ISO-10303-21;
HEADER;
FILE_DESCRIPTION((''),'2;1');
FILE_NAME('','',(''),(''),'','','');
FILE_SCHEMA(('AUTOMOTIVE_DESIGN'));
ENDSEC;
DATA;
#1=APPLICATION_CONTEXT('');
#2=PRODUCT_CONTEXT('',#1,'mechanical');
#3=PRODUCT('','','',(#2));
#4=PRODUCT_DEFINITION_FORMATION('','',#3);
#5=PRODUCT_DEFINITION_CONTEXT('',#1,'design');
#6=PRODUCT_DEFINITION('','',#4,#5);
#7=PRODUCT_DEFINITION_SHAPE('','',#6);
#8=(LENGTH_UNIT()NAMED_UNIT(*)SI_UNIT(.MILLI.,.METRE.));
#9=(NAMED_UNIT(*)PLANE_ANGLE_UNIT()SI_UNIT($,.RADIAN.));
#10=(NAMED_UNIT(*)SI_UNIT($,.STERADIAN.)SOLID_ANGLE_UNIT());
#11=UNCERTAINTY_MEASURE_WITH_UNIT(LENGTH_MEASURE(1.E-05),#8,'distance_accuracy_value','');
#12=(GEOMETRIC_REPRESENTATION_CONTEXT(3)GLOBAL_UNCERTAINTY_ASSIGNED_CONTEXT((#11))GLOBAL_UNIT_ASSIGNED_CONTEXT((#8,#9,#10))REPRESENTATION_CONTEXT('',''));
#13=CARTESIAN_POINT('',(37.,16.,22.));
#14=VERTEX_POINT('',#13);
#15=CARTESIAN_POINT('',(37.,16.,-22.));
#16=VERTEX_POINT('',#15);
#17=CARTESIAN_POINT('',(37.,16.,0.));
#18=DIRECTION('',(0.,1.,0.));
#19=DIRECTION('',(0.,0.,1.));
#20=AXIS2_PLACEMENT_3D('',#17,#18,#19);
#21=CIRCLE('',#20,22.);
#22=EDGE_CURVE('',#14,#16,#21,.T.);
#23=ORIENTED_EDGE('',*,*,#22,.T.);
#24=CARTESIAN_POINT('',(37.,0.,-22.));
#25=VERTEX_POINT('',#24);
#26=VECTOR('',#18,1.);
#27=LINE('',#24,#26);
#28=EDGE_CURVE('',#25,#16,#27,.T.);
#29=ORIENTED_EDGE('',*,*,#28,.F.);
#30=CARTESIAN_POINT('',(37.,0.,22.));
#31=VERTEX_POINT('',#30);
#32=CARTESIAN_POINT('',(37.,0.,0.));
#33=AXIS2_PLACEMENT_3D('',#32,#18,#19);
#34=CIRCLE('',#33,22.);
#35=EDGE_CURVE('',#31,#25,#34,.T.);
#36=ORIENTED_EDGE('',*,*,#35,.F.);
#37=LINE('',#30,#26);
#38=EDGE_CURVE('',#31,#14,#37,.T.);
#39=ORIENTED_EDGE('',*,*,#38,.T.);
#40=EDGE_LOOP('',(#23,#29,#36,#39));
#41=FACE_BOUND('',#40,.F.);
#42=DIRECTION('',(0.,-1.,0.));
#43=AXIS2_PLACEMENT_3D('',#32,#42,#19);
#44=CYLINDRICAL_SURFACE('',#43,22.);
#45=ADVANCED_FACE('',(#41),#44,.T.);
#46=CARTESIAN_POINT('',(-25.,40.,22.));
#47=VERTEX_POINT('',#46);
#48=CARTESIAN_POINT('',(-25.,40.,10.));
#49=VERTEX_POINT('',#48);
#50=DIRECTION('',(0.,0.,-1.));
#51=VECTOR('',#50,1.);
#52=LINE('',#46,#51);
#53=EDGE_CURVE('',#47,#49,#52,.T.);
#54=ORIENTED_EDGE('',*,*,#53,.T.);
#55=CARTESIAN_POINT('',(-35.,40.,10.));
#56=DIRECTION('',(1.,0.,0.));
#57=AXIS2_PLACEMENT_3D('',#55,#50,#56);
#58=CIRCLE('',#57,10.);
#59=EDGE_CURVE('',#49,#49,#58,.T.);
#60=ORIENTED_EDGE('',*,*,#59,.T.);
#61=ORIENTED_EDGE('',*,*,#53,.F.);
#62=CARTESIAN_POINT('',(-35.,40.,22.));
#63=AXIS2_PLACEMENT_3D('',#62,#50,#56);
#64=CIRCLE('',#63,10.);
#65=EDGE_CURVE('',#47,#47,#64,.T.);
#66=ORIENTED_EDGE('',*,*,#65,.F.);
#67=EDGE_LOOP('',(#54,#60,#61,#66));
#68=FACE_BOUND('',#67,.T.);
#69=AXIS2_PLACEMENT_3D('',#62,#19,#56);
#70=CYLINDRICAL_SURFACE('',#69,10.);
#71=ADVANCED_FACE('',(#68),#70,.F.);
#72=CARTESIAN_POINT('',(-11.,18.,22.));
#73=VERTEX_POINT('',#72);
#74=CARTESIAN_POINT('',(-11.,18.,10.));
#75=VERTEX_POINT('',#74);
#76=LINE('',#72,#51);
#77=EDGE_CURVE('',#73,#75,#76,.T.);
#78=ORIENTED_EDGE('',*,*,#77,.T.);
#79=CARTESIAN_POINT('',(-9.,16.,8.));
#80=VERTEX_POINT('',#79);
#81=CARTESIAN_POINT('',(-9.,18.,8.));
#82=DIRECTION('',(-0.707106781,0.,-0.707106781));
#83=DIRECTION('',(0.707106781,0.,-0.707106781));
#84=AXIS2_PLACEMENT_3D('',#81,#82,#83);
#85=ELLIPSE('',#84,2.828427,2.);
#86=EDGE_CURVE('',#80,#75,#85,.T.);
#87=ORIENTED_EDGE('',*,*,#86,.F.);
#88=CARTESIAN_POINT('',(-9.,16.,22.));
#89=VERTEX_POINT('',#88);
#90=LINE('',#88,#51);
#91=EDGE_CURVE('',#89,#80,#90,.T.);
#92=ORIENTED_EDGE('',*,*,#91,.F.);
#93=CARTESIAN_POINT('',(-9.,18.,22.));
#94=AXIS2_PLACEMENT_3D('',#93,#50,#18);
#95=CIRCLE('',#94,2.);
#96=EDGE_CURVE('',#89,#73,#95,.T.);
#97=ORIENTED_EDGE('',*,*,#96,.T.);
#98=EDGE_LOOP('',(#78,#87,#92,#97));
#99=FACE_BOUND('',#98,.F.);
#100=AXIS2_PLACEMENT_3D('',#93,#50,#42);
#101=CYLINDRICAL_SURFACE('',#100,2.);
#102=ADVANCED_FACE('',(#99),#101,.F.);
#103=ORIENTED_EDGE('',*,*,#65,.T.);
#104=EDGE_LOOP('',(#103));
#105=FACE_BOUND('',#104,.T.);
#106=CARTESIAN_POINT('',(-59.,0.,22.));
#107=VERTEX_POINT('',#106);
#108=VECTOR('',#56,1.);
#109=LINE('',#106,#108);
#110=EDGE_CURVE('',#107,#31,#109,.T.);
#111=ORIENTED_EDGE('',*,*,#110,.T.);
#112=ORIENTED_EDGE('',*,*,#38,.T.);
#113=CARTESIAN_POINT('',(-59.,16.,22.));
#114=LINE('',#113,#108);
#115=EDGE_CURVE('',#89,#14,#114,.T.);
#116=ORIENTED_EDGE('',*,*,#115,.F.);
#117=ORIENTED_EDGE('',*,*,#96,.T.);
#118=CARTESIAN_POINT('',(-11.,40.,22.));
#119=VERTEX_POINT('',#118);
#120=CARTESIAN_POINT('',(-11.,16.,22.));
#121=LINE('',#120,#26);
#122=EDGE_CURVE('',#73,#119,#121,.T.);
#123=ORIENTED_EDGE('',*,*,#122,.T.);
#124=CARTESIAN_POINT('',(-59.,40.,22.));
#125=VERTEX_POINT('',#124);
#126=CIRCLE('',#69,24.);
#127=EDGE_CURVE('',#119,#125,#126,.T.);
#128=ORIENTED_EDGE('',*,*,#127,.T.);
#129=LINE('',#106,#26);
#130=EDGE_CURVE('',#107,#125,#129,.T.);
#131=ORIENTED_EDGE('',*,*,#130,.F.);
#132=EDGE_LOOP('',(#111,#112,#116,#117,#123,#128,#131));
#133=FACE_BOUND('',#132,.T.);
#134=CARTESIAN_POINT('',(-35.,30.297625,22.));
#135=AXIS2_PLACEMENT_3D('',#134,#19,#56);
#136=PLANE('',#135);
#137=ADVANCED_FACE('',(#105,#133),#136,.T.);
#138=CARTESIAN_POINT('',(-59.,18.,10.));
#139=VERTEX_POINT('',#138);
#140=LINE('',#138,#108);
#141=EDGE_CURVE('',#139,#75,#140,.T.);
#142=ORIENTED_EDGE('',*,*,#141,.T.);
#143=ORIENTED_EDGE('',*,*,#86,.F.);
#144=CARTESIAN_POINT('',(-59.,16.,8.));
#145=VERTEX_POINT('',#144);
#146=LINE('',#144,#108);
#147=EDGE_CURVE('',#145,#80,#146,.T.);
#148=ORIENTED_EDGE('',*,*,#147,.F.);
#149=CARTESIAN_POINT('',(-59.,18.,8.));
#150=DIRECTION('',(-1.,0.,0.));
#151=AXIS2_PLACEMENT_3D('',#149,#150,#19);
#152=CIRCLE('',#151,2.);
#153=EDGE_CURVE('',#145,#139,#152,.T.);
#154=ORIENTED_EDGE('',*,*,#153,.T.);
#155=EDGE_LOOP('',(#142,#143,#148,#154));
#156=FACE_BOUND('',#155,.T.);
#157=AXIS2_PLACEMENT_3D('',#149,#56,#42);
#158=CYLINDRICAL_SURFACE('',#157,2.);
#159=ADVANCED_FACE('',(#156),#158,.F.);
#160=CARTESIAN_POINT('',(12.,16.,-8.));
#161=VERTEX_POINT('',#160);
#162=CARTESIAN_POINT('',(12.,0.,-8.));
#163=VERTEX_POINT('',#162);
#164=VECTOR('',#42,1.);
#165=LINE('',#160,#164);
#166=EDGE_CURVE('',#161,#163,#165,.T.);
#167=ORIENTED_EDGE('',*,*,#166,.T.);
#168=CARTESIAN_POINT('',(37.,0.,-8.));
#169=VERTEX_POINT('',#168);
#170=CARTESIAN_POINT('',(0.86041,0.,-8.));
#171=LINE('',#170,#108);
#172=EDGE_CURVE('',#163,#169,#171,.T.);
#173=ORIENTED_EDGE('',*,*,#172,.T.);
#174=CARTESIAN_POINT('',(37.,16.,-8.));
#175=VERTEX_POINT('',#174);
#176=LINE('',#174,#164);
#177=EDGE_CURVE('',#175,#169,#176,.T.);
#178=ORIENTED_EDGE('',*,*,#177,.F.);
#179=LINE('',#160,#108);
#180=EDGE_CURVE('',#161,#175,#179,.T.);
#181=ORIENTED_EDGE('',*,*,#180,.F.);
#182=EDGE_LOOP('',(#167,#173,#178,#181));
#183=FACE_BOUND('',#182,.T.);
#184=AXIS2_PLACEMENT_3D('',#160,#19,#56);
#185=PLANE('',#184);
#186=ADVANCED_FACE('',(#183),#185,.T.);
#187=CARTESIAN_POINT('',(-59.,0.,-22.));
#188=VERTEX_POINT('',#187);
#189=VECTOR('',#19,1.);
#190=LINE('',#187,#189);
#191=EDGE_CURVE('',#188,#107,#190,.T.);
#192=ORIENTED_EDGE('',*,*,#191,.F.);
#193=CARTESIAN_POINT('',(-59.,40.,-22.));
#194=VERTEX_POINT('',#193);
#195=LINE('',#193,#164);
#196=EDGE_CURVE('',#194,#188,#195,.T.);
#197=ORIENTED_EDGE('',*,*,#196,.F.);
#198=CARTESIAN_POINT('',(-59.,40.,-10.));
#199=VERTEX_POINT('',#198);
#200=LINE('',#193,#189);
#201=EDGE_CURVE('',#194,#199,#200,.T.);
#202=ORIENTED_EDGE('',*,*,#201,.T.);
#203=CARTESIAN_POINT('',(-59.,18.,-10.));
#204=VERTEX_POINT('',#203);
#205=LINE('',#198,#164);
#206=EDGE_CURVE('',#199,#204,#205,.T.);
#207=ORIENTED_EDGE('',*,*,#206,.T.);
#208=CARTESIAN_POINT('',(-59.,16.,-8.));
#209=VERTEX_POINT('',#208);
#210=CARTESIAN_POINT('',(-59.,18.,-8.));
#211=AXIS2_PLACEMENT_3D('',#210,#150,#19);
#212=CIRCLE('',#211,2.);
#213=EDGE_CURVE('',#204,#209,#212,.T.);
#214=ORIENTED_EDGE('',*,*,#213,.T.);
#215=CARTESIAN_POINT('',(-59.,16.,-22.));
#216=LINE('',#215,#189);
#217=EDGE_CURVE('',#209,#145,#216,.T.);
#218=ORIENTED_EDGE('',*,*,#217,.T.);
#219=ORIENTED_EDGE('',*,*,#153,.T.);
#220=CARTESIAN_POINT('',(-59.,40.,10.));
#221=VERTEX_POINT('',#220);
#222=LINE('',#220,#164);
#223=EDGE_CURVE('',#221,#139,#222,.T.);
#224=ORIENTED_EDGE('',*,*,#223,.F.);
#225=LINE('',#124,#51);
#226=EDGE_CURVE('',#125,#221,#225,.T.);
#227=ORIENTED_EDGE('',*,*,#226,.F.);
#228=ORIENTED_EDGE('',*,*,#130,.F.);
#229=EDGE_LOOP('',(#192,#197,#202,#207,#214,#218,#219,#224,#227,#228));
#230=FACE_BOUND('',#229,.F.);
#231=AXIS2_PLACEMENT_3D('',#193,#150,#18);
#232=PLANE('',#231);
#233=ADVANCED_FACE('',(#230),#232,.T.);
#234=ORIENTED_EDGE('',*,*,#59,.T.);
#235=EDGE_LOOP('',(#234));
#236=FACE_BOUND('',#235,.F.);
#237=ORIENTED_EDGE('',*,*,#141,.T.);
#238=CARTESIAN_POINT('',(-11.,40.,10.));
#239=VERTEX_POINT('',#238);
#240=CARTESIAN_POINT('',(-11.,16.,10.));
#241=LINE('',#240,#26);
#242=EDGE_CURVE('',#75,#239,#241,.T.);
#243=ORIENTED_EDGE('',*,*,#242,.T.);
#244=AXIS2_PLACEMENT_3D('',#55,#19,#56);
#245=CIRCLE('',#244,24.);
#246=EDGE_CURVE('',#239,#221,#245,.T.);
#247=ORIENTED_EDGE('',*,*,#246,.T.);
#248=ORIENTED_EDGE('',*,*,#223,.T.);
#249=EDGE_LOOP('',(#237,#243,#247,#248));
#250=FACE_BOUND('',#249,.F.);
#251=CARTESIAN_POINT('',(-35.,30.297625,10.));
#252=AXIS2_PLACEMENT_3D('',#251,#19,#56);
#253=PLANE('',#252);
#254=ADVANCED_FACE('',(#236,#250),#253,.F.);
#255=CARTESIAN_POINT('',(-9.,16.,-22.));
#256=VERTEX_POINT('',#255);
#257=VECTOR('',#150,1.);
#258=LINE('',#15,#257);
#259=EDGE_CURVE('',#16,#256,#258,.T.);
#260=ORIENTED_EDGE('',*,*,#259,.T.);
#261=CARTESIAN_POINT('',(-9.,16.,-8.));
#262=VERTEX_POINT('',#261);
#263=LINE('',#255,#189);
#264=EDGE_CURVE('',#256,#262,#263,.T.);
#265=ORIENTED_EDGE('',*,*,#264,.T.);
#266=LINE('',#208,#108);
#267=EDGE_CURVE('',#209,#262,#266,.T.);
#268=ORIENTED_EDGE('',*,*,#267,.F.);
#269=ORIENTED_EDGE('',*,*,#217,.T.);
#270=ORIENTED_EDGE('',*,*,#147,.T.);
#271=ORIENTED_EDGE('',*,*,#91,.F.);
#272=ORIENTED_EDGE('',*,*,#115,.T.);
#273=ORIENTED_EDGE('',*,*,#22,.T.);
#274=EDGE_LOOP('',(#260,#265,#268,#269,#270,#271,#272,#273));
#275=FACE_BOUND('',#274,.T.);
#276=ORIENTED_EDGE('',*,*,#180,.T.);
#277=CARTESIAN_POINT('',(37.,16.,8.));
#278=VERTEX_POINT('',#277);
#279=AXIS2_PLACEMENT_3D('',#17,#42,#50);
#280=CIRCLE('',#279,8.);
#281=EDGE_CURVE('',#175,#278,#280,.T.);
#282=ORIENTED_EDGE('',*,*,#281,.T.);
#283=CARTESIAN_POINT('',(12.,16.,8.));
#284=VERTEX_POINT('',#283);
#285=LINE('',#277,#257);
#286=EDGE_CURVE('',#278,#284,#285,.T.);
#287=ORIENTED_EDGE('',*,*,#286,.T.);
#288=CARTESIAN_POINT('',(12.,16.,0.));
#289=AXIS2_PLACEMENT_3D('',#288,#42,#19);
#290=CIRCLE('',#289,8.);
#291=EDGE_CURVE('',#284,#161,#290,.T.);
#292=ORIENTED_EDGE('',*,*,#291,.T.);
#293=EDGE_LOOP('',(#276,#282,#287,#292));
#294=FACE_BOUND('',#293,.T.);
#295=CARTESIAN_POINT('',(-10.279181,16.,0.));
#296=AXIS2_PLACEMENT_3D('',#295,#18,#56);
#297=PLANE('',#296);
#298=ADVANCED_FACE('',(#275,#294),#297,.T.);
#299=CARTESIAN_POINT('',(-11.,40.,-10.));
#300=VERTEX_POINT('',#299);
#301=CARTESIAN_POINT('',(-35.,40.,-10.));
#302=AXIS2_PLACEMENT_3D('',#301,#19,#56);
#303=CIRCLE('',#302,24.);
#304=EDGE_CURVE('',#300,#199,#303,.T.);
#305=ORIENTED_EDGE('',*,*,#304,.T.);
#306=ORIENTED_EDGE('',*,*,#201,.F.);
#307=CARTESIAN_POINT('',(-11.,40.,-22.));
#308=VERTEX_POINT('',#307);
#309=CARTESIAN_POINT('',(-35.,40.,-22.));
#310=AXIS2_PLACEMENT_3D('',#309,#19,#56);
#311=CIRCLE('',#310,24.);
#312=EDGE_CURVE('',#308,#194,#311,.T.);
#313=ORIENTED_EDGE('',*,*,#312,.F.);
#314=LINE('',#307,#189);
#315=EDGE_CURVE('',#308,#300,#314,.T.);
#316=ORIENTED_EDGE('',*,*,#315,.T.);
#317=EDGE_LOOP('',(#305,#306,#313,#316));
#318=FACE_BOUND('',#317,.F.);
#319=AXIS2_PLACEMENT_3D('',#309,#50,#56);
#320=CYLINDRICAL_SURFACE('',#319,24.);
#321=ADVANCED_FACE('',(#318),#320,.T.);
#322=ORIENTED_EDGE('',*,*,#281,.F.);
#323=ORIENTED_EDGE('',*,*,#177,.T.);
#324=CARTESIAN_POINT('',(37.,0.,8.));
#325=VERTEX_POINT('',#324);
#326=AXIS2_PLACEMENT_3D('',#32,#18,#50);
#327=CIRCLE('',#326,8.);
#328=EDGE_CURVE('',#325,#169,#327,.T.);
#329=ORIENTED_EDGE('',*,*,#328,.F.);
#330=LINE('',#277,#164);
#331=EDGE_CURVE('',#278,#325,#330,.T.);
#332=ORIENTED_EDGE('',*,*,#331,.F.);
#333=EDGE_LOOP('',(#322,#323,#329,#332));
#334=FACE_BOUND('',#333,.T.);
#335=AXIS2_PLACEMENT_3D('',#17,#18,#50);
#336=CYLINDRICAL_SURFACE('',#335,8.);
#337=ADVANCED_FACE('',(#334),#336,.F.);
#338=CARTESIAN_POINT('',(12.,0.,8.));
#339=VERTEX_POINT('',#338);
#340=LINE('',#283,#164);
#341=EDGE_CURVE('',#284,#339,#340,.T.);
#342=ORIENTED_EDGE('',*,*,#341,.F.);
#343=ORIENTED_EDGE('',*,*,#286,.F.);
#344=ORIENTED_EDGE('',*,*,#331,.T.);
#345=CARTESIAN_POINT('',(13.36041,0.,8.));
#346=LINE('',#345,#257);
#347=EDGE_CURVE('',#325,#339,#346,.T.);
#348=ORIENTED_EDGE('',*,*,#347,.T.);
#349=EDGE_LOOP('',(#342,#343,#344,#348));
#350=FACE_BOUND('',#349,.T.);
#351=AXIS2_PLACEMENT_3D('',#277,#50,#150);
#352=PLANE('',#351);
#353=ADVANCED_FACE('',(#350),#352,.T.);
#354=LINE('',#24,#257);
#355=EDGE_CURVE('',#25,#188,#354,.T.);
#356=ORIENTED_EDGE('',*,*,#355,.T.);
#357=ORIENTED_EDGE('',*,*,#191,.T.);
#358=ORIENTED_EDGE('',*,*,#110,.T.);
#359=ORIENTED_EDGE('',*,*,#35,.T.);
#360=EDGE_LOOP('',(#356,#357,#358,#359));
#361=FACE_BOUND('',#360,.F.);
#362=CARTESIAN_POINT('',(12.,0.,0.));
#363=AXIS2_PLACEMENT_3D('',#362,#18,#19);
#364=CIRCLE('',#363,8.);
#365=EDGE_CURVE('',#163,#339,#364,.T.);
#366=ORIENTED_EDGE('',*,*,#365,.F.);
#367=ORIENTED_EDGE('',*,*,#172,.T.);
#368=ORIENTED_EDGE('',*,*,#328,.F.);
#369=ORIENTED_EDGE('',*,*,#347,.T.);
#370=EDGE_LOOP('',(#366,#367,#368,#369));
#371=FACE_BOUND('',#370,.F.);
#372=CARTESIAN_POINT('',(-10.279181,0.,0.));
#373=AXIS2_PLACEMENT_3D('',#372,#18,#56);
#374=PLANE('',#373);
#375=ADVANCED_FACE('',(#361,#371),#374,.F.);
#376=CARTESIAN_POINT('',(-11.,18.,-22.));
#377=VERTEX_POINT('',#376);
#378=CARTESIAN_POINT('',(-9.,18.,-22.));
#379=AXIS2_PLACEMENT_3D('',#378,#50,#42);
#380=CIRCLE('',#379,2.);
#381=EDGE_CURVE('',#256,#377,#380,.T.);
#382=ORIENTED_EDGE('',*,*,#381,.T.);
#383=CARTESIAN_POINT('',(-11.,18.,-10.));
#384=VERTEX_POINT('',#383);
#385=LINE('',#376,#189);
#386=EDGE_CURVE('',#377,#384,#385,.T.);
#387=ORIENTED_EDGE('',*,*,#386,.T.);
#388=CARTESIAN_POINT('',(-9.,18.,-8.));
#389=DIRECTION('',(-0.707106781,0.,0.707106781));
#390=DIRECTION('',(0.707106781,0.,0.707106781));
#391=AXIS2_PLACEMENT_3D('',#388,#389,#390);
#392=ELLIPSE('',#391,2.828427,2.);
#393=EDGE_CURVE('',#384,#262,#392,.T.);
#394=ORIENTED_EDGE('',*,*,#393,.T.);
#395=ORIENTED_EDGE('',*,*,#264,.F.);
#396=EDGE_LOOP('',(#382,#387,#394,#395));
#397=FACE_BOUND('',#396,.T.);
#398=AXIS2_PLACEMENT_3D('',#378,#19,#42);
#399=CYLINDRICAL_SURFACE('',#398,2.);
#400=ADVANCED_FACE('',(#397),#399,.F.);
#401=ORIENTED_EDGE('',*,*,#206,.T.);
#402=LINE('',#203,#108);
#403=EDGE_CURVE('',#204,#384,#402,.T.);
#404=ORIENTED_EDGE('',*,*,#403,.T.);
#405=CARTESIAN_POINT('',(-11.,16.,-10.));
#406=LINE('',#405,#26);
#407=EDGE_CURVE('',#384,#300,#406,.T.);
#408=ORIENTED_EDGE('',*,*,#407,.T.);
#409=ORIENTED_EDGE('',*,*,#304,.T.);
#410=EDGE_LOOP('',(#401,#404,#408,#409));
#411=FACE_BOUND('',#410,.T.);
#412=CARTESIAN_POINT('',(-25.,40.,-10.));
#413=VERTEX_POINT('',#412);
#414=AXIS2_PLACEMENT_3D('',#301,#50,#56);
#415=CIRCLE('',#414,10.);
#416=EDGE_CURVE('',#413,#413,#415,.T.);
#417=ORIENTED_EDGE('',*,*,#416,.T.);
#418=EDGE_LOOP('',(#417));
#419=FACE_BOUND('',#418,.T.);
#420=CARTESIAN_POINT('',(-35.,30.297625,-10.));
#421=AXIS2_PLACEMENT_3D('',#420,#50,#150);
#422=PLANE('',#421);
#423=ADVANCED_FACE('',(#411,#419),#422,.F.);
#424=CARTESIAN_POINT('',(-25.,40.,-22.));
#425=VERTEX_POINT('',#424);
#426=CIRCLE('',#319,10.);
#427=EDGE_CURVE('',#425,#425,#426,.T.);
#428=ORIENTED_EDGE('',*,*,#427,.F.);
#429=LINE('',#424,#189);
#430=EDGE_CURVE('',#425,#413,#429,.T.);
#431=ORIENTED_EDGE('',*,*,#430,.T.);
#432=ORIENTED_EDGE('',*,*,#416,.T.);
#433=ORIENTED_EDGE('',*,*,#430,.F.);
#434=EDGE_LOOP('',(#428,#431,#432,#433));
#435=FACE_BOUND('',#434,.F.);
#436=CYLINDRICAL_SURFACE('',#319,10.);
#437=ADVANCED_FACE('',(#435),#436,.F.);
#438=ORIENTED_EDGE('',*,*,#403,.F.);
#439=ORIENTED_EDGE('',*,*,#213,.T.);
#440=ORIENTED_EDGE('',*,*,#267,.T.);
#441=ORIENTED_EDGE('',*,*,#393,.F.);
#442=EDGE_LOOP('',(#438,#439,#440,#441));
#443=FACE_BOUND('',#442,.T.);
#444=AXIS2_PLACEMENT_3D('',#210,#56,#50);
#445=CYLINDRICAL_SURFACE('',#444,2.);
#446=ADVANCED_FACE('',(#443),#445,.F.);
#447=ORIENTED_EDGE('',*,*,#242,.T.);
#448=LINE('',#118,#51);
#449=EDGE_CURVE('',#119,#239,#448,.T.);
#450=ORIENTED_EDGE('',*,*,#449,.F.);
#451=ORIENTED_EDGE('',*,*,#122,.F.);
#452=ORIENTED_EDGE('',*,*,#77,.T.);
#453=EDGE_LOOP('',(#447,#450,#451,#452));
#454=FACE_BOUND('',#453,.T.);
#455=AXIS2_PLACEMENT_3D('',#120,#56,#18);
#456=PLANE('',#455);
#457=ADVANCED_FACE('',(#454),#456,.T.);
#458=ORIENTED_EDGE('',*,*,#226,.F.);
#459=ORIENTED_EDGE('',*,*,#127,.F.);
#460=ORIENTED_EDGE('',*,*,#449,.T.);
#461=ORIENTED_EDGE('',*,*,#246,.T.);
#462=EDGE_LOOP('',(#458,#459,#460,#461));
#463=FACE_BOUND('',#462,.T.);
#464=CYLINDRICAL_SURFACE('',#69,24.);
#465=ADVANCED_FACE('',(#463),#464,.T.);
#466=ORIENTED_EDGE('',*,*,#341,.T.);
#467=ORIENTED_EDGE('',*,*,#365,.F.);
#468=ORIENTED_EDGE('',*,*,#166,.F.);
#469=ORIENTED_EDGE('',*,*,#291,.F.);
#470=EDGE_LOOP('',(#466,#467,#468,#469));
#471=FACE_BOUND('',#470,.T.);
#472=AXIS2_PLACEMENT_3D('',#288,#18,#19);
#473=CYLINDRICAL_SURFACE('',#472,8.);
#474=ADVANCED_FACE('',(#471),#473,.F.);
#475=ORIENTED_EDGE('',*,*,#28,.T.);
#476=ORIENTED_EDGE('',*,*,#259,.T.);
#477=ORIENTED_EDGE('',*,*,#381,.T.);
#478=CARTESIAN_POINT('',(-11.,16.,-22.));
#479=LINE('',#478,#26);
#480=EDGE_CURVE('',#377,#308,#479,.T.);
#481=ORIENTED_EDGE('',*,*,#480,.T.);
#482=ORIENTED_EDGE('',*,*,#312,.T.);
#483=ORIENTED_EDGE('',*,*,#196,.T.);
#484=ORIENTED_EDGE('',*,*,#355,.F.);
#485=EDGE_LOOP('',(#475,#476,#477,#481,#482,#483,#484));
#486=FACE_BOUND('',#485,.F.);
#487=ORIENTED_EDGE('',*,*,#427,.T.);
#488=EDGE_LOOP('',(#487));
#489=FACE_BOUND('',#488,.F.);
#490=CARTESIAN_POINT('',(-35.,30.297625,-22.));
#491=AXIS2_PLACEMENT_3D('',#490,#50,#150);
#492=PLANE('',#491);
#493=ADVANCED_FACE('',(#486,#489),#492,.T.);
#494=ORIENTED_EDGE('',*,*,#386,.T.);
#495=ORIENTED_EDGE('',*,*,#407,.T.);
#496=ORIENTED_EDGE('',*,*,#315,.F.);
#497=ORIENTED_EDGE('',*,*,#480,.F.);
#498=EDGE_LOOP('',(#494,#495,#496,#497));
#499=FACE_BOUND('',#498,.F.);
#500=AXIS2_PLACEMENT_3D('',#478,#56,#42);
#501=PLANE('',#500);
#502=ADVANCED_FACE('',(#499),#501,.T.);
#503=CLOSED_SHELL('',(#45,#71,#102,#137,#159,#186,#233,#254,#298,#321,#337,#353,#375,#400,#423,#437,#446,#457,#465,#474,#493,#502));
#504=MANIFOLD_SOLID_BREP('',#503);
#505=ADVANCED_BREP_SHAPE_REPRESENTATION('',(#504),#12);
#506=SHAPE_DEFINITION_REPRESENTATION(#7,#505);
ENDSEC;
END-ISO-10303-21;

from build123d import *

# Parameters (mm, degrees)
SKETCH2_R           = 22
BOSS_EXTRUDE1_DEPTH = 16
CUT_EXTRUDE1_DEPTH  = 17
BOSS_EXTRUDE2_DEPTH = 12
FILLET1_R           = 2


with BuildPart() as part:
    # Sketch2 → Boss-Extrude1 (new body)
    with BuildSketch(Plane(origin=(0, 0, 0), x_dir=(1, 0, 0), z_dir=(0, 1, 0))):
        with BuildLine():
            Line((37.000000064, 22), (-59, 22))
            Line((-59, 22), (-59, -22))
            Line((-59, -22), (37, -22))
            ThreePointArc((37, -22), (15, 3.2e-08), (37.000000064, 22))
        make_face()
        with Locations((37, 0)):
            Circle(SKETCH2_R)
    extrude(amount=BOSS_EXTRUDE1_DEPTH)

    # Sketch5 → Cut-Extrude1 (cut, through all)
    with BuildSketch(Plane(origin=(0, 16, 0), x_dir=(1, 0, 0), z_dir=(0, 1, 0))):
        with BuildLine():
            Line((37, -8), (12, -8))
            ThreePointArc((12, -8), (4, 0), (12, 8))
            Line((12, 8), (37, 8))
            ThreePointArc((37, 8), (45, 0), (37, -8))
        make_face()
    extrude(amount=-CUT_EXTRUDE1_DEPTH, mode=Mode.SUBTRACT)

    # Sketch6 → Boss-Extrude2 (add)
    with BuildSketch(Plane.XY.offset(22)):
        with BuildLine():
            ThreePointArc((-59, 40), (-51.970562748, 23.029437252), (-35, 16))
            ThreePointArc((-35, 16), (-18.029437252, 23.029437252), (-11, 40))
            Line((-11, 40), (-25, 40))
            ThreePointArc((-25, 40), (-35, 30), (-45, 40))
            Line((-45, 40), (-59, 40))
        make_face()
        with BuildLine():
            ThreePointArc((-11, 40), (-35, 64), (-59, 40))
            Line((-59, 40), (-45, 40))
            ThreePointArc((-45, 40), (-35, 50), (-25, 40))
            Line((-25, 40), (-11, 40))
        make_face()
        with BuildLine():
            ThreePointArc((-11, 40), (-18.029437252, 23.029437252), (-35, 16))
            Line((-35, 16), (-11, 16))
            Line((-11, 16), (-11, 40))
        make_face()
        with BuildLine():
            Line((-59, 40), (-59, 16))
            Line((-59, 16), (-35, 16))
            ThreePointArc((-35, 16), (-51.970562748, 23.029437252), (-59, 40))
        make_face()
    boss_extrude2 = extrude(amount=-BOSS_EXTRUDE2_DEPTH)

    # Mirror1: Boss-Extrude2 across plane
    add(boss_extrude2.mirror(Plane.XY))

    # Fillet1
    fillet1_edges = [part.edges().sort_by_distance(p)[0] for p in [
        (-11, 16, 16),
        (-35, 16, 10),
        (-35, 16, -10),
        (-11, 16, -16),
    ]]
    fillet(fillet1_edges, radius=FILLET1_R)


solid = part.part
